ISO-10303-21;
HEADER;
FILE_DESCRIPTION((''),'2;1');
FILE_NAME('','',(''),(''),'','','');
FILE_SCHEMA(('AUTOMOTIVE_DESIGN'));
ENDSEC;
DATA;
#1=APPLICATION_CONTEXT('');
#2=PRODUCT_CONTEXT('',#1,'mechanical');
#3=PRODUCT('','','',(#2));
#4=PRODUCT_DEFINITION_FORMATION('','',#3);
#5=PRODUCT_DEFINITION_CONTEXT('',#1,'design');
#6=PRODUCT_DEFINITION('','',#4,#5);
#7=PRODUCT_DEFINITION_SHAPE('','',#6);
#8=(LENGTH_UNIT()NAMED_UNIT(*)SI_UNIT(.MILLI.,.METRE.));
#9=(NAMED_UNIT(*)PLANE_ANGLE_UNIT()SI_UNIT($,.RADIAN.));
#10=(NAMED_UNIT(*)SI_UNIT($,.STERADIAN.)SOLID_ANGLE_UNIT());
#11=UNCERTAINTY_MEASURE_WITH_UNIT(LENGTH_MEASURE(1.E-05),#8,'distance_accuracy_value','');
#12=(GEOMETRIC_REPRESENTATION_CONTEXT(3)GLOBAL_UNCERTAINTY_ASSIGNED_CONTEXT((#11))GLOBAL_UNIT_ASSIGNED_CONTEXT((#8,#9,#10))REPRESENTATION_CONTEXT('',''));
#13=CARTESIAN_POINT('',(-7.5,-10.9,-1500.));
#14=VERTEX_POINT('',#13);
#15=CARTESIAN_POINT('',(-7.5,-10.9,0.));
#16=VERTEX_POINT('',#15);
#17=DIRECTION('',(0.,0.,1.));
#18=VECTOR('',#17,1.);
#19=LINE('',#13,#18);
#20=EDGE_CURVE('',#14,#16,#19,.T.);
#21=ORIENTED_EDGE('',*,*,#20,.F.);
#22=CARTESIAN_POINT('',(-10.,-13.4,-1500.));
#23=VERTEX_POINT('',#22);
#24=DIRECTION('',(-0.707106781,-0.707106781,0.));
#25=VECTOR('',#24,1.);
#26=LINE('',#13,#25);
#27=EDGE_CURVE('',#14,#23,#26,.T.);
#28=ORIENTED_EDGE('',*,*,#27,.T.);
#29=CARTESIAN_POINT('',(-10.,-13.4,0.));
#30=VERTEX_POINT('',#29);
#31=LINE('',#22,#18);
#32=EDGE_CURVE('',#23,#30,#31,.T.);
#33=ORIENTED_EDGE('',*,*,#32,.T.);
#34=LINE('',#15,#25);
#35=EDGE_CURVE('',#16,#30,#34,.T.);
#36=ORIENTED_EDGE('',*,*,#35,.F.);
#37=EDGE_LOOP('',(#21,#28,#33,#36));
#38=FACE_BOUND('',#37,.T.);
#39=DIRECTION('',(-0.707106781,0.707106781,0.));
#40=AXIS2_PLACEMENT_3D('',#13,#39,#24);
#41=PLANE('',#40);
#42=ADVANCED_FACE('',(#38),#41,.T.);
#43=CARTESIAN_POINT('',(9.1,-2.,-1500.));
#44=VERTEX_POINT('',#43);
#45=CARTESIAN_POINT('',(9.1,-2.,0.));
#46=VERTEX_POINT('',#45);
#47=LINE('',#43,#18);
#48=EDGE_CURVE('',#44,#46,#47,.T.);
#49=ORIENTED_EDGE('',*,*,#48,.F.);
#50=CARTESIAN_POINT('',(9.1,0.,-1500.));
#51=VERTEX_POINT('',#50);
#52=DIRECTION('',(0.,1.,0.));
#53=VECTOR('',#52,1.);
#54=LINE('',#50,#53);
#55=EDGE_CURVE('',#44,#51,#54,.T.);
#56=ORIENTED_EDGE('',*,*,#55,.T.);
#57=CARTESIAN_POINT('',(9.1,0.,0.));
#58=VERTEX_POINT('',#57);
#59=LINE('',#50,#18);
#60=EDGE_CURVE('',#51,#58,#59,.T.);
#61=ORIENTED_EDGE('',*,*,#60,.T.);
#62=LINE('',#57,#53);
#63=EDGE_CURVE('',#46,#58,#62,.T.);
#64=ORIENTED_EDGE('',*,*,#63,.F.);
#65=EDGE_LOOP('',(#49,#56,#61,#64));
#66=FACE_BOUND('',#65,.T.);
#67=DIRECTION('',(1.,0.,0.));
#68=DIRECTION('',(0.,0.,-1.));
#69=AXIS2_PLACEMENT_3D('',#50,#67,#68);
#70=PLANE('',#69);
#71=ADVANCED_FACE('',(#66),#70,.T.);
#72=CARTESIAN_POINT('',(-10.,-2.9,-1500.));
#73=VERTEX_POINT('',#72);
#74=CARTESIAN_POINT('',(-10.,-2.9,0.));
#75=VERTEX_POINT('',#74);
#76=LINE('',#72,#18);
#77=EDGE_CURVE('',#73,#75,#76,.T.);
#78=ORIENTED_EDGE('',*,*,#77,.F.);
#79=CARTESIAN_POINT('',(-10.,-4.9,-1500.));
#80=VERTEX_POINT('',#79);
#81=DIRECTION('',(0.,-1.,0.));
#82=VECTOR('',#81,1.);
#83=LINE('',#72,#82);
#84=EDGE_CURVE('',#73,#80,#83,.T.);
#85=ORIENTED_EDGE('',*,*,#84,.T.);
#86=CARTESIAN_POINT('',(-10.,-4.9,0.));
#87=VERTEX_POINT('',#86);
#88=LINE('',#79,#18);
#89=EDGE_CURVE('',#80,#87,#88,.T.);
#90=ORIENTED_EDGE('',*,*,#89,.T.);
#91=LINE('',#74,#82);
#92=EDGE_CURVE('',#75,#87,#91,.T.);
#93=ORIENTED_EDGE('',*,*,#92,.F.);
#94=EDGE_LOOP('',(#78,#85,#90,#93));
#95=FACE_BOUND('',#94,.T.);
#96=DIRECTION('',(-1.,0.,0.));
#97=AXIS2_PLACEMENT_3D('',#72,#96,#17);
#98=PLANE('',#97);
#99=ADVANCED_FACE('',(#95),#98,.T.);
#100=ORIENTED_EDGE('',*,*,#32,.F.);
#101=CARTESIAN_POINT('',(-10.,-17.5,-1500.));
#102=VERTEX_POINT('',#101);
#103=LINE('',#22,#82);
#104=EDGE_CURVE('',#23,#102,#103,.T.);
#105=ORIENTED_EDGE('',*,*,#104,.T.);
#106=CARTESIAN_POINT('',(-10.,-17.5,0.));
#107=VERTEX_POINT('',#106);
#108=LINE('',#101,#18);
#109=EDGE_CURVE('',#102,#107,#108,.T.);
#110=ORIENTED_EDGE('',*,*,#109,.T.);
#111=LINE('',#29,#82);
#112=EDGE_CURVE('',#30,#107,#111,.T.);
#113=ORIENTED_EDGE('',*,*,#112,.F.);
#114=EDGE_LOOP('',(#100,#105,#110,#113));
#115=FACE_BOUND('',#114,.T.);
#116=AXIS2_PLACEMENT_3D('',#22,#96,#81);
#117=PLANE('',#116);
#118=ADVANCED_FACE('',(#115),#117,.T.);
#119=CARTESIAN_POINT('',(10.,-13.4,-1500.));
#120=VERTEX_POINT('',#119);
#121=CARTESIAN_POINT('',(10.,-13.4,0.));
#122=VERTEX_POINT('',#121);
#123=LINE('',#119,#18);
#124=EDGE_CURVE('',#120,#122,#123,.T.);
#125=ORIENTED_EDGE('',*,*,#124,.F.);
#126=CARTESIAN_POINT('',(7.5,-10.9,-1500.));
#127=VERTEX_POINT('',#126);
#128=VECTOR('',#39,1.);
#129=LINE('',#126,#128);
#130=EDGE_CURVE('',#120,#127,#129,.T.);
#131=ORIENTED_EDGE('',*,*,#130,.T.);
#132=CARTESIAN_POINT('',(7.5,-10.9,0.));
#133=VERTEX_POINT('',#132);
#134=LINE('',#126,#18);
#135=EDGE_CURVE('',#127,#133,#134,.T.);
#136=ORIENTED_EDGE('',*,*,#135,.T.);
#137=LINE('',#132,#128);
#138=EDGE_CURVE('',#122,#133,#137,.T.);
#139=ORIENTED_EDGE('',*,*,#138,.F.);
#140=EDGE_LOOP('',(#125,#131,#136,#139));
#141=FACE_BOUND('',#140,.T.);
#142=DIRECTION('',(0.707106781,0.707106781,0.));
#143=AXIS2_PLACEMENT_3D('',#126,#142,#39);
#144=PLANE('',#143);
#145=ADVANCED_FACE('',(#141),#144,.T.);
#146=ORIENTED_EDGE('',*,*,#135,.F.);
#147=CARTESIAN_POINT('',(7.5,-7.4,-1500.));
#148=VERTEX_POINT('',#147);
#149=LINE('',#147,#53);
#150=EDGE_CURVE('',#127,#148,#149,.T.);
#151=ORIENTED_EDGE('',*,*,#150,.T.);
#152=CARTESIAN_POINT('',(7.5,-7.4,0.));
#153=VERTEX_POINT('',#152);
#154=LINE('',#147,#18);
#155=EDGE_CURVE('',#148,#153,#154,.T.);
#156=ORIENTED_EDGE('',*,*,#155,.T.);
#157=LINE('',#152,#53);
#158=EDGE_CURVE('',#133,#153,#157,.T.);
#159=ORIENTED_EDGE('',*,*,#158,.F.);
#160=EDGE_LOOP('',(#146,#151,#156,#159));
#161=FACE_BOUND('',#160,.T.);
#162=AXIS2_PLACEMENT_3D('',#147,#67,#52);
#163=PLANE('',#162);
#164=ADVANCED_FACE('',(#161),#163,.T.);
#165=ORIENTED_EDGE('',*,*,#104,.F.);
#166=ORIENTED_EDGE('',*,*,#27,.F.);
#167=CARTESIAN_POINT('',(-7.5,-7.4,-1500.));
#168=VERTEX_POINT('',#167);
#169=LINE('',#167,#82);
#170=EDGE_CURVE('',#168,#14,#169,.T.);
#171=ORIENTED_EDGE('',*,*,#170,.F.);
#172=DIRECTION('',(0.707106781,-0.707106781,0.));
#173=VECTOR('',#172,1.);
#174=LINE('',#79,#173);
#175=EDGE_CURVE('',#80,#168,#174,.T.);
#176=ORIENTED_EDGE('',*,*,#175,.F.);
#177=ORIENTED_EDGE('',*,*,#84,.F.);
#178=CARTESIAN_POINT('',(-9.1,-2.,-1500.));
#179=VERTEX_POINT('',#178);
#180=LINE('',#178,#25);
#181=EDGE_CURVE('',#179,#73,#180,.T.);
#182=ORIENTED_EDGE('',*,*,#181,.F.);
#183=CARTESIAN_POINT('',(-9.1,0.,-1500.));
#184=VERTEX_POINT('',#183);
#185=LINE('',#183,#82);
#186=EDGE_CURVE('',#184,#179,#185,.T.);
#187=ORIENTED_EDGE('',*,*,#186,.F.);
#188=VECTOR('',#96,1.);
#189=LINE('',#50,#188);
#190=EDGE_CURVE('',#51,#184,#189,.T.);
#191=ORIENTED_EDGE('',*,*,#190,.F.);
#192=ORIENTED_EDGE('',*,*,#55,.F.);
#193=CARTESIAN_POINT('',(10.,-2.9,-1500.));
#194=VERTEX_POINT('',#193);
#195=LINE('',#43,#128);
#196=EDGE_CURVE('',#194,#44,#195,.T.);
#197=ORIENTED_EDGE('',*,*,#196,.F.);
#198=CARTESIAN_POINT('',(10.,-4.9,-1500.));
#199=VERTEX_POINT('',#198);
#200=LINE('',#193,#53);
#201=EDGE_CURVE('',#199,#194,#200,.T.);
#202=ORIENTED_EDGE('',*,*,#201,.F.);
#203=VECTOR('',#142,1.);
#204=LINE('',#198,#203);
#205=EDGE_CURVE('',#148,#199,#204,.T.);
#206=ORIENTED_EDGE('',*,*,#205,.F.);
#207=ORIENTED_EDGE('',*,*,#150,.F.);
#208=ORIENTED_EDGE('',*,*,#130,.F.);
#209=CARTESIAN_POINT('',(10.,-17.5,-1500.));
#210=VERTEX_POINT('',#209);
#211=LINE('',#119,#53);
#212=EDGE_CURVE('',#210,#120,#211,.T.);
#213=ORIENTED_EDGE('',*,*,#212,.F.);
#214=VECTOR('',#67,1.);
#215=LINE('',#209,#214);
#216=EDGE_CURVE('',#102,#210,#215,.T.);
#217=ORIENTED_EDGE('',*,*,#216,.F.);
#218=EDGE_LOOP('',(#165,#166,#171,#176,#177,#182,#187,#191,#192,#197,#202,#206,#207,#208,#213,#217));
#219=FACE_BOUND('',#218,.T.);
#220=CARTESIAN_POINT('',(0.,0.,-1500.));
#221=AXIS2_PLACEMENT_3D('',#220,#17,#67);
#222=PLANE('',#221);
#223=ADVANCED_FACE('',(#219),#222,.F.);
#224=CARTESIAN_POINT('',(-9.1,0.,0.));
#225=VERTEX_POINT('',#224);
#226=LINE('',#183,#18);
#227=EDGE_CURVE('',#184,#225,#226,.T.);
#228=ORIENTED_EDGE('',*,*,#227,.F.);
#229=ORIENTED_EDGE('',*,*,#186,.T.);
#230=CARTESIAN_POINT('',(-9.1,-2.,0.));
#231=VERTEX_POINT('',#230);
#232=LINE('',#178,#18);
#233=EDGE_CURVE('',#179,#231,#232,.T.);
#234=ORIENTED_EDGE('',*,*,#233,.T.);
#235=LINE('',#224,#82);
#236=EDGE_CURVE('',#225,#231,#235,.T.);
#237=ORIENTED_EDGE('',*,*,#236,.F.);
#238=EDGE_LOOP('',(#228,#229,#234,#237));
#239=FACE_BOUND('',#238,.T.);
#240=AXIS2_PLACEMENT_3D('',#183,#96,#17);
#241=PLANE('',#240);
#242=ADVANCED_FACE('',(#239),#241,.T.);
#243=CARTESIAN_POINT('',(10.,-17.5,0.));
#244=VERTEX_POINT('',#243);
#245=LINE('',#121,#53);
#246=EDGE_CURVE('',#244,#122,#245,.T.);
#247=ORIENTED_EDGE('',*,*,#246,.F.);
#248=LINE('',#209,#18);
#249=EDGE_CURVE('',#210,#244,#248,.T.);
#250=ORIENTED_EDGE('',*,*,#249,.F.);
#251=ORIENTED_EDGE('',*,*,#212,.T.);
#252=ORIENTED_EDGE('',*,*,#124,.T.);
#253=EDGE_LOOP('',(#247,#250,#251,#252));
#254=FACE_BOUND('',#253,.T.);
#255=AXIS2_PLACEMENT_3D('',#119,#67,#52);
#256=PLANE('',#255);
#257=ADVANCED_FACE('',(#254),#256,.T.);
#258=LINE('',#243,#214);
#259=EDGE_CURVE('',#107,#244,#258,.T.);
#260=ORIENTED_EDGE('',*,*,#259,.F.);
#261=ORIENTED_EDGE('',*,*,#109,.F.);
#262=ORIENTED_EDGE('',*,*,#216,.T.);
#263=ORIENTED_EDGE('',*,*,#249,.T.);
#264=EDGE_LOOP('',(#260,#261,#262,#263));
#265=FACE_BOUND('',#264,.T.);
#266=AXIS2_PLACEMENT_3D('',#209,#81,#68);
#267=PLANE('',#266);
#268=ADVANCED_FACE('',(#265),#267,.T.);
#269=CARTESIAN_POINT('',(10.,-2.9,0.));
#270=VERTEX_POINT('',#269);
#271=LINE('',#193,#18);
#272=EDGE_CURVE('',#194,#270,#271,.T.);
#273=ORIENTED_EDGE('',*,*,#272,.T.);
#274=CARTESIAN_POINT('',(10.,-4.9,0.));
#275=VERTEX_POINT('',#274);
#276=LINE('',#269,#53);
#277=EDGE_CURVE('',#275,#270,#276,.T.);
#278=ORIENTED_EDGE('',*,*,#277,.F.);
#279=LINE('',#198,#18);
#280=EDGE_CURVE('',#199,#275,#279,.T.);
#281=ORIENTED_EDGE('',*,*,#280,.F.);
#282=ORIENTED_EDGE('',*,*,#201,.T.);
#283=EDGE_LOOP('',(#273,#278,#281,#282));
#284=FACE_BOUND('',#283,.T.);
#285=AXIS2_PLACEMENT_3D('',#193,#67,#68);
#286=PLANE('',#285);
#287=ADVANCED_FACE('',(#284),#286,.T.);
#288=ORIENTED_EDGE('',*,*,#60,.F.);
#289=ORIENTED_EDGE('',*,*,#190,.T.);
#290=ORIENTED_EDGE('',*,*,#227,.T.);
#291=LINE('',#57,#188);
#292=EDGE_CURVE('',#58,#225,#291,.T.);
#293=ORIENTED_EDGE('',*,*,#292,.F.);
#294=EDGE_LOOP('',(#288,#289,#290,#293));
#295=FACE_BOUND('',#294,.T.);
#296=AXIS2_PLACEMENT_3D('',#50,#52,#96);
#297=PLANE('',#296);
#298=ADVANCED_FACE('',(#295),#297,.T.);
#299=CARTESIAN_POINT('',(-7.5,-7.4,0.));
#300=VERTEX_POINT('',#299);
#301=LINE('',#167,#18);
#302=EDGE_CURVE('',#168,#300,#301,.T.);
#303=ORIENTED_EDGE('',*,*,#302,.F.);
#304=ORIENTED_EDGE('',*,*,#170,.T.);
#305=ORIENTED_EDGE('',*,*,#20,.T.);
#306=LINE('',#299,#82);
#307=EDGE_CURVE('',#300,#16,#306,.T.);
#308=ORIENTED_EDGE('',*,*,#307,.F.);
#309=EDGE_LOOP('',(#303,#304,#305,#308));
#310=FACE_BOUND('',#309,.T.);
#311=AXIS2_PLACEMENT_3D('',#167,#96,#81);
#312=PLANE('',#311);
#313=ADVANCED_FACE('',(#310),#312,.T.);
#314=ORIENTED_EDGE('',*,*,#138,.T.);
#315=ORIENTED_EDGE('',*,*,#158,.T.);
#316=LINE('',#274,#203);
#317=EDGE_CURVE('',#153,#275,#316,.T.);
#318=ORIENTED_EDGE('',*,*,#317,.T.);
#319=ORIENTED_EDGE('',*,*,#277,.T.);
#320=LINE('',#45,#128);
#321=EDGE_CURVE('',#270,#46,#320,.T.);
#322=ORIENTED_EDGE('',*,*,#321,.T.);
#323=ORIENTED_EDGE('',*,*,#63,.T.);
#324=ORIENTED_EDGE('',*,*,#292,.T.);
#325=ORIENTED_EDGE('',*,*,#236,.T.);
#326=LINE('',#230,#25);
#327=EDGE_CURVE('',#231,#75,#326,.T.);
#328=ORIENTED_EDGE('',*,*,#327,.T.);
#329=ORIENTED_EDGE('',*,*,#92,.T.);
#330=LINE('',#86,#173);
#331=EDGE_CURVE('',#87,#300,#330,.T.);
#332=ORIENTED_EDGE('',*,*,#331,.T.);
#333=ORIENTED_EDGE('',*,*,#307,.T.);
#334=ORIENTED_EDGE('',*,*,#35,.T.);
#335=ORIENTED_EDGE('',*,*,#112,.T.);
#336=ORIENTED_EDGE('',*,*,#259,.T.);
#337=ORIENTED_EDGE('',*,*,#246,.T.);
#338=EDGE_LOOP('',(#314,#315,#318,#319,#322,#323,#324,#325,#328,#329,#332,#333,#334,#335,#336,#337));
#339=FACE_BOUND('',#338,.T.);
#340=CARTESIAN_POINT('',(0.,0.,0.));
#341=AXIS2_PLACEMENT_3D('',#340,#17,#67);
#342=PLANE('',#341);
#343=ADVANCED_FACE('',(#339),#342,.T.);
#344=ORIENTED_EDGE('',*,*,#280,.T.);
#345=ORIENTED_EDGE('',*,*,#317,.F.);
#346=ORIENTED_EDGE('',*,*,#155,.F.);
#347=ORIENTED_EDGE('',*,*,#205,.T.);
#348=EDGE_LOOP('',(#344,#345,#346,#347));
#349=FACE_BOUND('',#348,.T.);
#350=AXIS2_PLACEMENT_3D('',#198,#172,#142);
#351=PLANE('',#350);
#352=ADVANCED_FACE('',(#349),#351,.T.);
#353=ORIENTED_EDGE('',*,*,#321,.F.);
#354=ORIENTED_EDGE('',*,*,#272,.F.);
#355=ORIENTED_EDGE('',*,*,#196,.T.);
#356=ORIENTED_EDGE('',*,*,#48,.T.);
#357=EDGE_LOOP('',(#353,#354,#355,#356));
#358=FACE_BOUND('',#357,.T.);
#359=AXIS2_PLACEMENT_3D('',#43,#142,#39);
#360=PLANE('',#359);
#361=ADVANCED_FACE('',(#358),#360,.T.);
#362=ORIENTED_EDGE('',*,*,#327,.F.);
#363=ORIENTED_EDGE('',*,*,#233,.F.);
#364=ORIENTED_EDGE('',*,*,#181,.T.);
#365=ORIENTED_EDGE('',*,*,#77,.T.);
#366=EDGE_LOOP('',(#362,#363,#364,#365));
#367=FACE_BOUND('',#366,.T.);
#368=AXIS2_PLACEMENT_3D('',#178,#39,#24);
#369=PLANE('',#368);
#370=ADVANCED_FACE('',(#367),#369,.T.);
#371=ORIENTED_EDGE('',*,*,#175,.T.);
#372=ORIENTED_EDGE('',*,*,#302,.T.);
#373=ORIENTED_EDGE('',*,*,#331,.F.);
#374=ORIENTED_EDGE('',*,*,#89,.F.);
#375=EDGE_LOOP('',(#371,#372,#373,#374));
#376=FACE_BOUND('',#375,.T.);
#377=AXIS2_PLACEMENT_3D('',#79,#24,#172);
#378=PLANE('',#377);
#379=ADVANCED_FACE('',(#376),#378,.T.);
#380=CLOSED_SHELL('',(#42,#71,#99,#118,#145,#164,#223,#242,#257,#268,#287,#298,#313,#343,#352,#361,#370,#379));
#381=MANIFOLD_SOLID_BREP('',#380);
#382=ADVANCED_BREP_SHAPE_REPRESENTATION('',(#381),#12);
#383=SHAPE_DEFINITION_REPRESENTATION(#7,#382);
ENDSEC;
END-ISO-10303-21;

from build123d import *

# Parameters (mm, degrees)
BOSS_EXTRUDE1_DEPTH = 1500


with BuildPart() as part:
    # Sketch1 → Boss-Extrude1 (new body)
    with BuildSketch(Plane.XY):
        Polygon((9.1, 0), (9.1, -2), (10, -2.9), (10, -4.9), (7.5, -7.4), (7.5, -10.9), (10, -13.4), (10, -17.5), (-10, -17.5), (-10, -13.4), (-7.5, -10.9), (-7.5, -7.4), (-10, -4.9), (-10, -2.9), (-9.1, -2), (-9.1, 0), align=None)
    extrude(amount=-BOSS_EXTRUDE1_DEPTH)


solid = part.part
